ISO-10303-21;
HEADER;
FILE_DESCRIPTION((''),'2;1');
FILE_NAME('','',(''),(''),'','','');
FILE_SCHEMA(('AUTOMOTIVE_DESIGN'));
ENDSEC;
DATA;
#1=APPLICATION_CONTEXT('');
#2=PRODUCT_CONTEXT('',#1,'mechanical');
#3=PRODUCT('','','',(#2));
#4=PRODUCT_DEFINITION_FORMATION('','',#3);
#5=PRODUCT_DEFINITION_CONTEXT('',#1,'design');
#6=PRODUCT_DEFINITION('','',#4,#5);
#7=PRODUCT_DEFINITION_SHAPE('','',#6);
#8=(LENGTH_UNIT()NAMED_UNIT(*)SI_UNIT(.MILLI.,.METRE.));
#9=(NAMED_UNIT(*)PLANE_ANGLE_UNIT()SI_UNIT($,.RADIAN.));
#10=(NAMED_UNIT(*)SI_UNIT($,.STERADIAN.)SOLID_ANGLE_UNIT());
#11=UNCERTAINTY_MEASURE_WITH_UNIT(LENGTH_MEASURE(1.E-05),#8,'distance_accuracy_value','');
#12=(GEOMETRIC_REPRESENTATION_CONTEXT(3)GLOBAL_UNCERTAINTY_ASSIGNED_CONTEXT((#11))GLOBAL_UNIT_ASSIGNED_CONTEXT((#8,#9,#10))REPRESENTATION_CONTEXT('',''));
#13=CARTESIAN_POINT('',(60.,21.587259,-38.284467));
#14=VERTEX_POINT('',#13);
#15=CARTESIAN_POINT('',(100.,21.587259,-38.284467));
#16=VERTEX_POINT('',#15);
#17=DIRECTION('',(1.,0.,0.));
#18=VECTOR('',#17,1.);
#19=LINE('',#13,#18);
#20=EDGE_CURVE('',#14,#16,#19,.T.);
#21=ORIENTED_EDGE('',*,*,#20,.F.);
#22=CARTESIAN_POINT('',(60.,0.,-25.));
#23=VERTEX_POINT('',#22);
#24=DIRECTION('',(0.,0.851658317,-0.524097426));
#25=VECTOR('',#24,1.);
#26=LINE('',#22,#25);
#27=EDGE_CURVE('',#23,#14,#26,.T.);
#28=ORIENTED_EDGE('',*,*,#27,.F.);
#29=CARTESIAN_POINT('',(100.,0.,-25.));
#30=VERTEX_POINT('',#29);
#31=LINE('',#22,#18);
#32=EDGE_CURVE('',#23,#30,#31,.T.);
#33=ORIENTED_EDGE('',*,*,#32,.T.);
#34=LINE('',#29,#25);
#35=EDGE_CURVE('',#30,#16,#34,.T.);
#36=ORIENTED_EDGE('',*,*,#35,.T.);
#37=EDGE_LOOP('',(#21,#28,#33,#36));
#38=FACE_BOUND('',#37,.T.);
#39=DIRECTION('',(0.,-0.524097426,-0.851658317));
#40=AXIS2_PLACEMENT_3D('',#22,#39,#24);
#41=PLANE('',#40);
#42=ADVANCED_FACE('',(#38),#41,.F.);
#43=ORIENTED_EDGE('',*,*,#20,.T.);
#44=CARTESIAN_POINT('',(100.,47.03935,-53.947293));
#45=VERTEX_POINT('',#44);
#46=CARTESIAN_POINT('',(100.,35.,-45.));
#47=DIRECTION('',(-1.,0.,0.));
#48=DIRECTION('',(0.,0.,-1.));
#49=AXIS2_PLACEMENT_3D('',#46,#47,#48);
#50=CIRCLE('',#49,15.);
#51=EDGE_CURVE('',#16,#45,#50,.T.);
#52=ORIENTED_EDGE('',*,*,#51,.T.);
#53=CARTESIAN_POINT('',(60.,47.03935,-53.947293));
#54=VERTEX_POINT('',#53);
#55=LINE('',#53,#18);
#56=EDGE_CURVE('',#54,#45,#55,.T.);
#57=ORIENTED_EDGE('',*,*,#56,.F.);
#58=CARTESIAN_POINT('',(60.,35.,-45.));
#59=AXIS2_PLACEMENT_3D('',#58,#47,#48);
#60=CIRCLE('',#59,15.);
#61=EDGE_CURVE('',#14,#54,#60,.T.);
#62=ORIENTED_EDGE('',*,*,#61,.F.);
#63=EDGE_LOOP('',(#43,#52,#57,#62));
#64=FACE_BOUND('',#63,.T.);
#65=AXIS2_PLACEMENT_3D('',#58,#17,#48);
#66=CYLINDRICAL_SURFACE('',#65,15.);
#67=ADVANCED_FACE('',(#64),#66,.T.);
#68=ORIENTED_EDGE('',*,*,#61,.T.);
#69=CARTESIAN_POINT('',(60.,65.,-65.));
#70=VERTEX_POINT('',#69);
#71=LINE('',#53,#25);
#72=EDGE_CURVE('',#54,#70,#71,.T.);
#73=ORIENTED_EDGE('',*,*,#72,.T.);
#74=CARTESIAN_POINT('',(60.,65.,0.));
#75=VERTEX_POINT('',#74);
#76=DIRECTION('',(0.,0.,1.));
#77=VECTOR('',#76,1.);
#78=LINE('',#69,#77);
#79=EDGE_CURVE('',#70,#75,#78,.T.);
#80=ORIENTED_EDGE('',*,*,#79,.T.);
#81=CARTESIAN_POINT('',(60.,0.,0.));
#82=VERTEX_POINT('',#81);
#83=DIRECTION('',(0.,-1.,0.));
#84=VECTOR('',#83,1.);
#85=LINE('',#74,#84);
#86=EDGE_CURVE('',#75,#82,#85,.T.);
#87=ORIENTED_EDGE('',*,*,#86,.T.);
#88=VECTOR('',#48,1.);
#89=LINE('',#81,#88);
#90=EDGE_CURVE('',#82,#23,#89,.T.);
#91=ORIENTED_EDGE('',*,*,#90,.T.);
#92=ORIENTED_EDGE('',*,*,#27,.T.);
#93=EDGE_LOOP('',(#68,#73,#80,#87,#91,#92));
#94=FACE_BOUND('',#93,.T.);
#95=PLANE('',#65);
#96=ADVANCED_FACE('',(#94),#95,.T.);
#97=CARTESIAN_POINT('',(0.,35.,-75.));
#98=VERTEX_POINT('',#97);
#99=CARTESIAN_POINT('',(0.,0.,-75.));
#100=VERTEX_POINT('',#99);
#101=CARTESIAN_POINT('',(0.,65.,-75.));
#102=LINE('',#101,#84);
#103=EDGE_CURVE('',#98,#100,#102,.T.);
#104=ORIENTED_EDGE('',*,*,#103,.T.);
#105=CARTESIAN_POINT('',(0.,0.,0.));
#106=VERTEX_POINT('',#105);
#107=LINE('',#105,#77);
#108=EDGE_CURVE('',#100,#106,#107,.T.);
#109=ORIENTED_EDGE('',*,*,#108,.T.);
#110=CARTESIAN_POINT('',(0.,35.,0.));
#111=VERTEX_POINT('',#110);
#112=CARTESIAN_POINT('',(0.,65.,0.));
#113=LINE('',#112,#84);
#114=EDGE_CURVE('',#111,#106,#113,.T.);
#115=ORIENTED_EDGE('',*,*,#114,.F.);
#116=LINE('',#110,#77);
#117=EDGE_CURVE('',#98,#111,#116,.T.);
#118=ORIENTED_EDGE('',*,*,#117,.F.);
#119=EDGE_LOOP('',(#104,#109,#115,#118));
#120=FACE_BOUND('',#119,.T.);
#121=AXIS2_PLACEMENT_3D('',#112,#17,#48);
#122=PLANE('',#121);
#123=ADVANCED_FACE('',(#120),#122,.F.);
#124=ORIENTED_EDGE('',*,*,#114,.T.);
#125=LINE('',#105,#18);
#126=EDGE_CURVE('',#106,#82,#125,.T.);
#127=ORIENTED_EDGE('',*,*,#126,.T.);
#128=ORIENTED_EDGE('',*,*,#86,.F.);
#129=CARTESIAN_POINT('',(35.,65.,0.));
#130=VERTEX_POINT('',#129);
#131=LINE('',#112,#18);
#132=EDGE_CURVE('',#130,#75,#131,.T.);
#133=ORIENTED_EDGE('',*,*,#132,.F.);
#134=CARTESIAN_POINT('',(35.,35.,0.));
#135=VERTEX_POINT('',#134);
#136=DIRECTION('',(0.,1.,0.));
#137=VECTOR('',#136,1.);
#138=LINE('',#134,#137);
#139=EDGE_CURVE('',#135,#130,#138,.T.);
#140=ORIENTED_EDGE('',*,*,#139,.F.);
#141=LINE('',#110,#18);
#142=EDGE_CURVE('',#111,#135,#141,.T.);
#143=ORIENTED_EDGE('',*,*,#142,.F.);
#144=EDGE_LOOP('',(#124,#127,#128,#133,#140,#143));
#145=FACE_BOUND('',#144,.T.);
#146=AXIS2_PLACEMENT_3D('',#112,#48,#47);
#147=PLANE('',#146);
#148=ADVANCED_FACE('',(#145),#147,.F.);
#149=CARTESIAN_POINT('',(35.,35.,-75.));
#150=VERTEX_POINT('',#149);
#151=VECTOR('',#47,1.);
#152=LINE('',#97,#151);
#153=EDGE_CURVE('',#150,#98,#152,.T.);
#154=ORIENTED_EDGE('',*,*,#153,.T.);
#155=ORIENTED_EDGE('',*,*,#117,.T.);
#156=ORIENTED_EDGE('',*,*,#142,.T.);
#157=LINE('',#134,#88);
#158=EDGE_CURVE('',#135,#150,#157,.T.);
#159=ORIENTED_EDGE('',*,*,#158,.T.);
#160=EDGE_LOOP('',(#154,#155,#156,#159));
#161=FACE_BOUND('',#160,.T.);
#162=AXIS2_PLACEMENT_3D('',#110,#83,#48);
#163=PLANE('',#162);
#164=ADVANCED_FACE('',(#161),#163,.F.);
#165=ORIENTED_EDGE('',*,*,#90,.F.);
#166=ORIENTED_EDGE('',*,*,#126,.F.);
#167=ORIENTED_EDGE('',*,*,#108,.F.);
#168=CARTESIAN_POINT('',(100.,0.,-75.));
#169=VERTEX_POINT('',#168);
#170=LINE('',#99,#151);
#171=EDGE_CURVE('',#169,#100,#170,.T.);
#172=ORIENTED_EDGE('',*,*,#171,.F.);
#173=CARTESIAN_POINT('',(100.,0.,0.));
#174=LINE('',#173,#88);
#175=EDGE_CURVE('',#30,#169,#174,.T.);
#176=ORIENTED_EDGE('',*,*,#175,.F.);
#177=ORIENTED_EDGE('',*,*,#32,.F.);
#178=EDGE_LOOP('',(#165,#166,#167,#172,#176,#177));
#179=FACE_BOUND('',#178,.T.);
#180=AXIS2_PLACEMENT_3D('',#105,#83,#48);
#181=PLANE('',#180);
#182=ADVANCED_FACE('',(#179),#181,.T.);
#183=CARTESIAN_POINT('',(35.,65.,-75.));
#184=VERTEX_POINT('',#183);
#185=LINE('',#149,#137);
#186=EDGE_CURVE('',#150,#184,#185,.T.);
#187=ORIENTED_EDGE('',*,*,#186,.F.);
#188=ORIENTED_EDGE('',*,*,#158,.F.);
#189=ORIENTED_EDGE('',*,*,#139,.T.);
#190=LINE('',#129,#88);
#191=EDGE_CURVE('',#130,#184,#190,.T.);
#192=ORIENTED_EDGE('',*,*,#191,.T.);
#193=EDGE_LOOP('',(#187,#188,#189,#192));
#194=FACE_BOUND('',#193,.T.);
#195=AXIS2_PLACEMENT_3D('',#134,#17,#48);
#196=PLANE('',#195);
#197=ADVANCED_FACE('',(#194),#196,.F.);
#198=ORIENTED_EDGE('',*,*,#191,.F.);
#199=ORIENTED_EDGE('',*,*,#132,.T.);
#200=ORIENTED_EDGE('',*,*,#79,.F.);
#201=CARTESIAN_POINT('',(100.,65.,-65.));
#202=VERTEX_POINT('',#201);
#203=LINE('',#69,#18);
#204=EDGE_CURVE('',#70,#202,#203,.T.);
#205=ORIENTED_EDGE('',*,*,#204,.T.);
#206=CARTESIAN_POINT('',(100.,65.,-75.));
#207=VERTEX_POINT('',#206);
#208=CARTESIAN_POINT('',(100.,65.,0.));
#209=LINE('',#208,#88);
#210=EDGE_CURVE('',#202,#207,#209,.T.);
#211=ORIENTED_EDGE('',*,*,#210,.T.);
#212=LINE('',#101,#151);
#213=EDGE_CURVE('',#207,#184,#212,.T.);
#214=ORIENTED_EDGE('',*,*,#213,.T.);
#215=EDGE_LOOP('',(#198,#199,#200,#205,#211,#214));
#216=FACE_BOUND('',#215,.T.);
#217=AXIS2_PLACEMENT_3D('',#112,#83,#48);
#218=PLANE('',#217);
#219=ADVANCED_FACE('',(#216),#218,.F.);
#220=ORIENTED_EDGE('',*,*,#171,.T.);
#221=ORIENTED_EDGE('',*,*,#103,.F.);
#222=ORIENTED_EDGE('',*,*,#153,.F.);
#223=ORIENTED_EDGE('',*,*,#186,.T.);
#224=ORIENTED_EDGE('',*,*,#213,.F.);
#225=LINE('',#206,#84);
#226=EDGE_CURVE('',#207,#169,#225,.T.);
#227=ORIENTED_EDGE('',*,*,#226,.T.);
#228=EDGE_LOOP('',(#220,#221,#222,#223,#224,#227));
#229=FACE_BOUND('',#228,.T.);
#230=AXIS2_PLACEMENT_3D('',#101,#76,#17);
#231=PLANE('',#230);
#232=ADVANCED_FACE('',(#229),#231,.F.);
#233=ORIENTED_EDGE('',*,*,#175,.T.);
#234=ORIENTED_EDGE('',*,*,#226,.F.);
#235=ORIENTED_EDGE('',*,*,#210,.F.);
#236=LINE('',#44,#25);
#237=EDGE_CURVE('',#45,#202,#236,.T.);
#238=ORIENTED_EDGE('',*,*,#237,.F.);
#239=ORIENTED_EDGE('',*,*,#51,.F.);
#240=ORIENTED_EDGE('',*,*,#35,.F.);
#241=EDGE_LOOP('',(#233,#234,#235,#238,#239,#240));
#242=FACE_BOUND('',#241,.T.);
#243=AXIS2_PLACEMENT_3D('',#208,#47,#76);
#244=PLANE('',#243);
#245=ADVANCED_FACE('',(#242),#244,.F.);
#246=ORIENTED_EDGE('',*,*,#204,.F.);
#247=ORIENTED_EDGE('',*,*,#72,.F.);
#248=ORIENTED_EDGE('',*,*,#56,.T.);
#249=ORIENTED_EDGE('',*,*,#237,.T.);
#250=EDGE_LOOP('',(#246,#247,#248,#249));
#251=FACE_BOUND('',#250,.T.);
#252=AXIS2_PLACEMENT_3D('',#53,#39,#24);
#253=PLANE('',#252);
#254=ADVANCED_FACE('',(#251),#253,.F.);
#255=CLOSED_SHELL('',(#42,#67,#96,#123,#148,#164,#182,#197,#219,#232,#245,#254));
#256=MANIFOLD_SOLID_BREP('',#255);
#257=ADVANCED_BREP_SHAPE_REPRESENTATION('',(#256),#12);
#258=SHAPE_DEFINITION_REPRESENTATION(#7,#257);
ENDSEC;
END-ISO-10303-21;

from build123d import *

# Parameters (mm, degrees)
SKETCH1_W           = 100
SKETCH1_H           = 75
BOSS_EXTRUDE1_DEPTH = 65
SKETCH2_W           = 35
SKETCH2_H           = 75
CUT_EXTRUDE1_DEPTH  = 30
CUT_EXTRUDE2_DEPTH  = 40


with BuildPart() as part:
    # Sketch1 → Boss-Extrude1 (new body)
    with BuildSketch(Plane(origin=(0, 0, 0), x_dir=(1, 0, 0), z_dir=(0, 1, 0))):
        with Locations((50, 37.5)):
            Rectangle(SKETCH1_W, SKETCH1_H)
    extrude(amount=BOSS_EXTRUDE1_DEPTH)

    # Sketch2 → Cut-Extrude1 (cut)
    with BuildSketch(Plane(origin=(0, 65, 0), x_dir=(1, 0, 0), z_dir=(0, 1, 0))):
        with Locations((17.5, 37.5)):
            Rectangle(SKETCH2_W, SKETCH2_H)
    extrude(amount=-CUT_EXTRUDE1_DEPTH, mode=Mode.SUBTRACT)

    # Sketch3 → Cut-Extrude2 (cut)
    with BuildSketch(Plane(origin=(100, 0, 0), x_dir=(0, 0, -1), z_dir=(1, 0, 0))):
        with BuildLine():
            Line((25, 0), (38.28446714, 21.587259102))
            ThreePointArc((38.28446714, 21.587259102), (32.225125249, 42.861461385), (53.947292517, 47.03935034))
            Line((53.947292517, 47.03935034), (65, 65))
            Line((65, 65), (0, 65))
            Line((0, 65), (0, 0))
            Line((0, 0), (25, 0))
        make_face()
    extrude(amount=-CUT_EXTRUDE2_DEPTH, mode=Mode.SUBTRACT)


solid = part.part
